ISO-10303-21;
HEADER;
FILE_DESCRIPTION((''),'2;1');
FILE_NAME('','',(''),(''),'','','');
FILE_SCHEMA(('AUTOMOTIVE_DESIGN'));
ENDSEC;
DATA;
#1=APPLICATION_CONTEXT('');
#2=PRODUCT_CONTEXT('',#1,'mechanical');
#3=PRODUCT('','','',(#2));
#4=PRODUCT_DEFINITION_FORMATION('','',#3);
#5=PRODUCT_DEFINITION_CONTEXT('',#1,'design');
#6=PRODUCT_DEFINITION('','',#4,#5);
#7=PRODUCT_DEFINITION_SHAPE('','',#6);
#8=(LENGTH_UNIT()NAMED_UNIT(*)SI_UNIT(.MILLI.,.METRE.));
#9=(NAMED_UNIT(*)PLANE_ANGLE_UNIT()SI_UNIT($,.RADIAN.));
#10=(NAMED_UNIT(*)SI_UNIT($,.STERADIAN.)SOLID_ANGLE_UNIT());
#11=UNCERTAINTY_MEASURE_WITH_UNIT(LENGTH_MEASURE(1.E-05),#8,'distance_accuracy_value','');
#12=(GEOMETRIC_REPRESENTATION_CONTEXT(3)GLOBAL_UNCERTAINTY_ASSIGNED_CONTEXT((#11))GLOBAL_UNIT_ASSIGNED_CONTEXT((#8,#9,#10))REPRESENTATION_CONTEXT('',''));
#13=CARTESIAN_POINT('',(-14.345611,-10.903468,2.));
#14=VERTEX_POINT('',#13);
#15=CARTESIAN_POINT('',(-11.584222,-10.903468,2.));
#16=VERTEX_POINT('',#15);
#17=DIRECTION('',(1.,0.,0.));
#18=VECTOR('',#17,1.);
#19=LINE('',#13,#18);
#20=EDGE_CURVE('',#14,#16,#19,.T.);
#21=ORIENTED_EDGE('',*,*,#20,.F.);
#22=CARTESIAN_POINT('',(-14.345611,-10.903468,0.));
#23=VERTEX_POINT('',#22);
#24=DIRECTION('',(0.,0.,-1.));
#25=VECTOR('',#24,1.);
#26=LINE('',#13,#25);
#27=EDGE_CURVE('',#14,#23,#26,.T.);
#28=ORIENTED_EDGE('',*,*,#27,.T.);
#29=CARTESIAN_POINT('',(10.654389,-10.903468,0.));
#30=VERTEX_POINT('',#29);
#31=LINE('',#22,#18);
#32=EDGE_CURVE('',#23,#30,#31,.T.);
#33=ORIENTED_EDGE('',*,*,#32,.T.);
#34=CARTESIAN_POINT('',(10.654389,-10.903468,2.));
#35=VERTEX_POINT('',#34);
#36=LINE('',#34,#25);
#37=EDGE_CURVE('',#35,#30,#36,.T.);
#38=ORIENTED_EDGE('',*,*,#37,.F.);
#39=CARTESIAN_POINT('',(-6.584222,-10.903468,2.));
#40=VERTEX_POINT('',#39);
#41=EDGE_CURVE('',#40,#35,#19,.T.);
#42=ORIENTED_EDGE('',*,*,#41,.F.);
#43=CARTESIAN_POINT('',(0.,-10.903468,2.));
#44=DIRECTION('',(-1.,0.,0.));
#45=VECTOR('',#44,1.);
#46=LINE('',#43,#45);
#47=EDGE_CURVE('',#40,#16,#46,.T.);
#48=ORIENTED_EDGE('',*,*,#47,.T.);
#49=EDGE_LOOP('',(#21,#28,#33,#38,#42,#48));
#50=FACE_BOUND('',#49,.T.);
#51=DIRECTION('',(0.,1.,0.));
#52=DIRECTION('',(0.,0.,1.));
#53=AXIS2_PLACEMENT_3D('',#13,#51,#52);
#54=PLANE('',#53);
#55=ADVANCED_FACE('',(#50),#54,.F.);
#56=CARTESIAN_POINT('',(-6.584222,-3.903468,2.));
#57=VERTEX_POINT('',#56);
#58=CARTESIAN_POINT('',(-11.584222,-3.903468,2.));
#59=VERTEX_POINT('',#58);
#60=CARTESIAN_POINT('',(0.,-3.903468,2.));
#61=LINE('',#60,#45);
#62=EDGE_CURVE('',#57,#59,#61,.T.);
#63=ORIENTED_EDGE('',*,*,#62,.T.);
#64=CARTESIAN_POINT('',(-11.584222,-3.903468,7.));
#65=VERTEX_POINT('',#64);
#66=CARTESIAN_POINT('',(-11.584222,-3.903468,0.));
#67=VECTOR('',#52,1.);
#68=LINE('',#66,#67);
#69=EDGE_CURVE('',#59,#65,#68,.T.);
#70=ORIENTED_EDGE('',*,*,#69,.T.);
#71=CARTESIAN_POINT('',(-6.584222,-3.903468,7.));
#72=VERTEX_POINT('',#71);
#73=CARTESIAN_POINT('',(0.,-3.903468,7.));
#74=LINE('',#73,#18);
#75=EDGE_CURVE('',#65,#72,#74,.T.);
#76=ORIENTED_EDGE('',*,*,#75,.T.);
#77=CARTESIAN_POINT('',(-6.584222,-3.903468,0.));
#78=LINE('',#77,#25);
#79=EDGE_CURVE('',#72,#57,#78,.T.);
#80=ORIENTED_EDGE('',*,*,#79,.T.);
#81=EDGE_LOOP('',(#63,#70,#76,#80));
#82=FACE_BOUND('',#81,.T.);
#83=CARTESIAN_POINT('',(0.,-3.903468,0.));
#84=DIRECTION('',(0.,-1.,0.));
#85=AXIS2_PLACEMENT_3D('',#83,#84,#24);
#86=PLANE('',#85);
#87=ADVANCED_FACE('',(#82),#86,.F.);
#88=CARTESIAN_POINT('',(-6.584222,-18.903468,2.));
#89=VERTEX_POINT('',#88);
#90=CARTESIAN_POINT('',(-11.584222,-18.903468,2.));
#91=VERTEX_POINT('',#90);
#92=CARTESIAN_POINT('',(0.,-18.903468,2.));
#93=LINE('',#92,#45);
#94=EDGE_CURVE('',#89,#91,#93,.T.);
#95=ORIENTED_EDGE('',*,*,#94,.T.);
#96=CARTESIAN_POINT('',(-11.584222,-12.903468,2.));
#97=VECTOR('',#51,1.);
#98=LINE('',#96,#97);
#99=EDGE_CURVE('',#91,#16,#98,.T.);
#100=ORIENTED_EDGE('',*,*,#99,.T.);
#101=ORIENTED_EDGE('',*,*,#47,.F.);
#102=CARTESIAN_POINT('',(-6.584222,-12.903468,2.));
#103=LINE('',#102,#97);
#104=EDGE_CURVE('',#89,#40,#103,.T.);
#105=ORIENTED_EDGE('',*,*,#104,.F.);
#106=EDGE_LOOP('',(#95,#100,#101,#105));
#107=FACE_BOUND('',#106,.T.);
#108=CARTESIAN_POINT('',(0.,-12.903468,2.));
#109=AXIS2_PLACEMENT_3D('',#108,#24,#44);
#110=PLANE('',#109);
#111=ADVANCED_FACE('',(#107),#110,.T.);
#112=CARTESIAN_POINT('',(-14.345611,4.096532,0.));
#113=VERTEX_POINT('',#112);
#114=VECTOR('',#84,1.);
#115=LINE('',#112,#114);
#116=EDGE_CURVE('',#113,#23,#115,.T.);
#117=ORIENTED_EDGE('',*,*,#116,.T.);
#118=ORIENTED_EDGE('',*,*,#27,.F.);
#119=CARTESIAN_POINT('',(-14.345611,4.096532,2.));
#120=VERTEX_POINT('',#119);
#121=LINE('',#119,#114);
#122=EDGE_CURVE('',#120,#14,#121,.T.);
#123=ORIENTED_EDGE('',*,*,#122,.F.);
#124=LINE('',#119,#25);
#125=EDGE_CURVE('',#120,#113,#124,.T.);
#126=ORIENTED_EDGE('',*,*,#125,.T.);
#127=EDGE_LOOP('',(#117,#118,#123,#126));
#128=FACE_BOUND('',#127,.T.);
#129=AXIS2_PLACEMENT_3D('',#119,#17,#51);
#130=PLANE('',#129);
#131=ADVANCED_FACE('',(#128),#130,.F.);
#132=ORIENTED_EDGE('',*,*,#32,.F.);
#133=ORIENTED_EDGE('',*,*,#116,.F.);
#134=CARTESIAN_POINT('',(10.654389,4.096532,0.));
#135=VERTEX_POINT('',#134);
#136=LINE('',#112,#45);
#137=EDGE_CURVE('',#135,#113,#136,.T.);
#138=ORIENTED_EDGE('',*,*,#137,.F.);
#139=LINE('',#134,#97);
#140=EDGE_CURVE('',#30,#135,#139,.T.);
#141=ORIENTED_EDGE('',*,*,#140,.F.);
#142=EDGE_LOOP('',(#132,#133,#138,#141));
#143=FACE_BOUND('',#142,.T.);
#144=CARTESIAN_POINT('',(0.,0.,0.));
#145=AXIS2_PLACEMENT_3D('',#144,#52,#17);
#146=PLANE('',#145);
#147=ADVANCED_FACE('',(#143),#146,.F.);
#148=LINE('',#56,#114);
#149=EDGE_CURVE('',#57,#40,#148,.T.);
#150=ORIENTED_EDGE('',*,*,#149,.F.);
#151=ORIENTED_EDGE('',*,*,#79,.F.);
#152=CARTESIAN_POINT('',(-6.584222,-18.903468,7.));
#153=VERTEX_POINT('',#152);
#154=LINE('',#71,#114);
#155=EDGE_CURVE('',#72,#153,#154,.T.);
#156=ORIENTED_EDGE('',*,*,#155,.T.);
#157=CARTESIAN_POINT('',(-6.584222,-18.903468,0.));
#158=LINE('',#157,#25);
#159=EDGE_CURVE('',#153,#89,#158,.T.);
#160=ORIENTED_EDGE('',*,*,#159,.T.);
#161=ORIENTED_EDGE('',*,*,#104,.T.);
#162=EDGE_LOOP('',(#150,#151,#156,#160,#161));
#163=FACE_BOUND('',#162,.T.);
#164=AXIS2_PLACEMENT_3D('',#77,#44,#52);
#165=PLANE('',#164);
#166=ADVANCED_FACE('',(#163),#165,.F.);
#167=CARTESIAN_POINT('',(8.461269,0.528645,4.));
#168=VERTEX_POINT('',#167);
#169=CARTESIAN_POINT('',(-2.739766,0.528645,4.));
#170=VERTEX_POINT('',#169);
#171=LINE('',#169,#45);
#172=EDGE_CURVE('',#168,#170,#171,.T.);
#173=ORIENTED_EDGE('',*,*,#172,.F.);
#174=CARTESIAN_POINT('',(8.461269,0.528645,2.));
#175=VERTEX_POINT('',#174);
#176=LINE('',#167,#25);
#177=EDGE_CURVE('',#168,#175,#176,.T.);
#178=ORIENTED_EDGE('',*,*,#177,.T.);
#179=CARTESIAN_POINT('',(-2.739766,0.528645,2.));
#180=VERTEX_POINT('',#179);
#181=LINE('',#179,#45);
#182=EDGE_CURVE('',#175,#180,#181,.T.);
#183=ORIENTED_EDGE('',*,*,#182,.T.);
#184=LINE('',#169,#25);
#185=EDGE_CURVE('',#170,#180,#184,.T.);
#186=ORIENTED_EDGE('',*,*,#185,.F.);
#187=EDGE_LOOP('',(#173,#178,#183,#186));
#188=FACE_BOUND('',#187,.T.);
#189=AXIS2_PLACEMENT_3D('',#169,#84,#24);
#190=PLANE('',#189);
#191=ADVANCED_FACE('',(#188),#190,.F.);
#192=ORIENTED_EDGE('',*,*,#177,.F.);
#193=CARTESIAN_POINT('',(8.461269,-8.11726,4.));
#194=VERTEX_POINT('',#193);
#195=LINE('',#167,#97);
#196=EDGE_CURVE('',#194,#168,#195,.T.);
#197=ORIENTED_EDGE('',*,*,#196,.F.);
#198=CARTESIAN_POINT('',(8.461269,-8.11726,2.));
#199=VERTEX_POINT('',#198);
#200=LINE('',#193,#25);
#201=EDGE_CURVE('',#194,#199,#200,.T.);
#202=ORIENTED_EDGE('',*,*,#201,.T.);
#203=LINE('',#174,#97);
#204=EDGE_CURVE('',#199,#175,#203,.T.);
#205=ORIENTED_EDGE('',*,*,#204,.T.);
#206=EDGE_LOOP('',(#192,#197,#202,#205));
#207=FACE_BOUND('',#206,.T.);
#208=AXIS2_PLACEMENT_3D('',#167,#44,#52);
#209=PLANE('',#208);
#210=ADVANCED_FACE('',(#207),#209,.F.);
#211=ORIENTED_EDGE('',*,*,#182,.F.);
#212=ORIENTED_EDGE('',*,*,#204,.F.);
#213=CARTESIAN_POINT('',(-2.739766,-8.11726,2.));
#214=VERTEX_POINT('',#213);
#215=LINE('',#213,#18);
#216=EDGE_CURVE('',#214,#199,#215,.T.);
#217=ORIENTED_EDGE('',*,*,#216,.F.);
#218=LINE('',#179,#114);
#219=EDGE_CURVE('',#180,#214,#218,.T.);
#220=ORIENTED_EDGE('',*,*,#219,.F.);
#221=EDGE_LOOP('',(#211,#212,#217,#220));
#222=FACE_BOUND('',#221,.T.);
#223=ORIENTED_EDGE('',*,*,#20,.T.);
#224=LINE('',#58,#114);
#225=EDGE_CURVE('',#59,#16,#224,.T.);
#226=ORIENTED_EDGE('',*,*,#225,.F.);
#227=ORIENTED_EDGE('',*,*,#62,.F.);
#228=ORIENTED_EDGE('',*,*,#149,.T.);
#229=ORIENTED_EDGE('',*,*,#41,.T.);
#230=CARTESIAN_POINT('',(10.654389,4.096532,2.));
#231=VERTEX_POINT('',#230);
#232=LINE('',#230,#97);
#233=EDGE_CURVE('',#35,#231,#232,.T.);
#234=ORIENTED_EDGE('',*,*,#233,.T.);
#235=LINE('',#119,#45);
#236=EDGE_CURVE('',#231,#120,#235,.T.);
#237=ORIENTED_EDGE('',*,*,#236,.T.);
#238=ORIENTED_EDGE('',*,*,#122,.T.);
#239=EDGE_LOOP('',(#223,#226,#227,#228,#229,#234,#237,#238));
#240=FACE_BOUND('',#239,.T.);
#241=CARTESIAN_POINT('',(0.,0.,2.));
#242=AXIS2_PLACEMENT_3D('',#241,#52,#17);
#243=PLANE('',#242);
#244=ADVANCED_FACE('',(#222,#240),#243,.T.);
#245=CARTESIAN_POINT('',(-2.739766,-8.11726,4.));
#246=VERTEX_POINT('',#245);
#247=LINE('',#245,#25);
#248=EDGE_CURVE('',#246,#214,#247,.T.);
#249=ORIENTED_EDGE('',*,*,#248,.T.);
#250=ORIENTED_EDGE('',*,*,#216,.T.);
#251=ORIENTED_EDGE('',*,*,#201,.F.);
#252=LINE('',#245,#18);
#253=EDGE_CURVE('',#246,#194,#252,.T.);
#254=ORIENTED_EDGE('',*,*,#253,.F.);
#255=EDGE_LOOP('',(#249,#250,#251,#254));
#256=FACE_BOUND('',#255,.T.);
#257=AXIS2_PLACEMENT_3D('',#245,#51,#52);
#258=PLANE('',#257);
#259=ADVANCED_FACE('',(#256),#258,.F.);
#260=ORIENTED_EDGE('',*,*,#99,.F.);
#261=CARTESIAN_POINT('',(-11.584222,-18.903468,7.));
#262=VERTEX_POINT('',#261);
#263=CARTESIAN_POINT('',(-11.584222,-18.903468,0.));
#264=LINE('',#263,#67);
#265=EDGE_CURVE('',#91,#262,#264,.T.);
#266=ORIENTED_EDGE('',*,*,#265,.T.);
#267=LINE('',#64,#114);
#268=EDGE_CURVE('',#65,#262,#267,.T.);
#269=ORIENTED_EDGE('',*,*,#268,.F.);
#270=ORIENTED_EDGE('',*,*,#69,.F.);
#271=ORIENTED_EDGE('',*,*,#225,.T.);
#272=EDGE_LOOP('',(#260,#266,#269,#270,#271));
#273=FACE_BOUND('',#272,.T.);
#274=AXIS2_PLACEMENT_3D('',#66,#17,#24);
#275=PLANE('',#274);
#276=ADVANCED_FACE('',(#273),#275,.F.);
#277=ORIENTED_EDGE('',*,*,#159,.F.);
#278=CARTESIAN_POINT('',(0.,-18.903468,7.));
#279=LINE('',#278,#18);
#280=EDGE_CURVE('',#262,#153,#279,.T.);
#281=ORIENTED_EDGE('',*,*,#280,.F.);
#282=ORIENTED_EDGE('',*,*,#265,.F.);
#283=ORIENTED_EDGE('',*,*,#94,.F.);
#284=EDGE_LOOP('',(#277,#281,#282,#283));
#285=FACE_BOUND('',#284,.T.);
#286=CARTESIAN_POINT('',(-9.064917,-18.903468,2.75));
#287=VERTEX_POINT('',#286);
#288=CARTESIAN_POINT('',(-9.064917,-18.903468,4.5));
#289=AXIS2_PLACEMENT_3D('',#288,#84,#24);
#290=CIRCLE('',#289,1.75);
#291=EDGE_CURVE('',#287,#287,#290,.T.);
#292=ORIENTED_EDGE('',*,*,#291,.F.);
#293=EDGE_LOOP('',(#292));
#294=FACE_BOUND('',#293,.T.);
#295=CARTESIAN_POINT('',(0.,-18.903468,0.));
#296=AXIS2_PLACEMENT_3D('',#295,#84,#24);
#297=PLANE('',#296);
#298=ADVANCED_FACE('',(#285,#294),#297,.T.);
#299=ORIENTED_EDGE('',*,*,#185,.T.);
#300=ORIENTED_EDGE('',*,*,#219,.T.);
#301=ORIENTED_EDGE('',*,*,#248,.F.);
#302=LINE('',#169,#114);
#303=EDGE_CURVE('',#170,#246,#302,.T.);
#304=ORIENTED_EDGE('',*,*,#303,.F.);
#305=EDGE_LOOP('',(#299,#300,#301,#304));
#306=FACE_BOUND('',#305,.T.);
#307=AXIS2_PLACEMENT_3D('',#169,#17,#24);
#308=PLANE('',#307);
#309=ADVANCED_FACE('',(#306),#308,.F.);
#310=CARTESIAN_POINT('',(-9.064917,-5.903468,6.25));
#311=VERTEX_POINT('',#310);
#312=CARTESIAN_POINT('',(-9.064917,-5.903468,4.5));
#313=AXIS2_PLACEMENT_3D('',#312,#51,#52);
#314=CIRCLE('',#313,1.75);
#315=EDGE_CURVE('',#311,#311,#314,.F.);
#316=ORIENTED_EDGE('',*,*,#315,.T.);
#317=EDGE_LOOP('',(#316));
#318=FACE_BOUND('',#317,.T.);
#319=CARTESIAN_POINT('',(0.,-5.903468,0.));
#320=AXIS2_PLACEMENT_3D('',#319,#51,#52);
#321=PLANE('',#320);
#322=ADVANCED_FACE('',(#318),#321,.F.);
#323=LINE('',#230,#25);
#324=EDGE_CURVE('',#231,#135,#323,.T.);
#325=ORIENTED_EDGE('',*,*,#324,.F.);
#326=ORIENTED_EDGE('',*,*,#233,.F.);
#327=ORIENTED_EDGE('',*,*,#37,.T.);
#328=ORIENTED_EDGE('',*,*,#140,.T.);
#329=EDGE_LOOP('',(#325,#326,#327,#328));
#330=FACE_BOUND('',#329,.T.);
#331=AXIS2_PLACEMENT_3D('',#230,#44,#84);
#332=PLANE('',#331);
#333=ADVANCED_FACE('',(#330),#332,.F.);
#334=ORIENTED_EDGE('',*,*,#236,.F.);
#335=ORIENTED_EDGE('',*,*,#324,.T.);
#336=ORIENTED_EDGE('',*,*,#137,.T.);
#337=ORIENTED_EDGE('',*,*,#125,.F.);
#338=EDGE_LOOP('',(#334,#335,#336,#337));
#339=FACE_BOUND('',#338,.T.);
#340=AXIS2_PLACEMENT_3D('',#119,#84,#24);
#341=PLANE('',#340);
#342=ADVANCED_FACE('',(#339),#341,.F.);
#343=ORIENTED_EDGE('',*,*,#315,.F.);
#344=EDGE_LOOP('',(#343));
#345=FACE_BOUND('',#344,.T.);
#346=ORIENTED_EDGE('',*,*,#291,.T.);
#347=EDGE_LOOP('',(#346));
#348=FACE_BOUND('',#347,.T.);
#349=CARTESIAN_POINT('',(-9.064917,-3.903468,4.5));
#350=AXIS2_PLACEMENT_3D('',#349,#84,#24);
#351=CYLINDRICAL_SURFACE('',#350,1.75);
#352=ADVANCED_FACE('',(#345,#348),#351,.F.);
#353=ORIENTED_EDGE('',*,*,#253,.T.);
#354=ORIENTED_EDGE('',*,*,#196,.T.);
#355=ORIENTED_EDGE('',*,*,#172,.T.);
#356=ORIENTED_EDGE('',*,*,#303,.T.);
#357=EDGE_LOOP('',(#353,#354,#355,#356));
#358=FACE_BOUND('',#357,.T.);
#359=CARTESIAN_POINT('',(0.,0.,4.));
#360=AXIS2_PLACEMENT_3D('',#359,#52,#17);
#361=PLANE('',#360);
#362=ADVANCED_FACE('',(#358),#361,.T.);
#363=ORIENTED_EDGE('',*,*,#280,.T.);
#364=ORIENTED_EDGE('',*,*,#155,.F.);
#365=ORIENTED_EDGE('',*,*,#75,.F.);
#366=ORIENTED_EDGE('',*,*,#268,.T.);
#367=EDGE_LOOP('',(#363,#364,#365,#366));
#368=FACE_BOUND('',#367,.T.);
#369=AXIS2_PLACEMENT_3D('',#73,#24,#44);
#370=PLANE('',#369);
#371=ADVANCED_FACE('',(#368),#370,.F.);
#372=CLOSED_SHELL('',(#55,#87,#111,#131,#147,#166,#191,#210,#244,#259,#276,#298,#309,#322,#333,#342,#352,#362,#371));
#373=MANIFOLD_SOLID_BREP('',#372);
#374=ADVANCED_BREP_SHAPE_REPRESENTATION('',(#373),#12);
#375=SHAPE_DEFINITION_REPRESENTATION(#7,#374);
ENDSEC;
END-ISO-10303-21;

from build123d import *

# Parameters (mm, degrees)
SKETCH_2_W      = 25
SKETCH_2_H      = 15
EXTRUDE_1_DEPTH = 2
SKETCH_4_R      = 1.75
EXTRUDE_2_DEPTH = 7
SKETCH_5_W      = 5
SKETCH_5_H      = 5
EXTRUDE_3_DEPTH = 2
EXTRUDE_START   = 2
SKETCH_4_3_R    = 1.75
EXTRUDE_4_DEPTH = 2
SKETCH_7_W      = 11.201035141
SKETCH_7_H      = 8.645905099
EXTRUDE_5_DEPTH = 2
EXTRUDE_START_2 = 8
SKETCH_4_4_R    = 1.75
EXTRUDE_6_DEPTH = 8


with BuildPart() as part:
    # 草图2 → 凸台-拉伸1 (new body)
    with BuildSketch(Plane.XY):
        with Locations((-1.845610675, -3.40346801)):
            Rectangle(SKETCH_2_W, SKETCH_2_H)
    extrude(amount=EXTRUDE_1_DEPTH)

    # 草图4 → 凸台-拉伸2 (add)
    with BuildSketch(Plane.XZ.offset(10.90346801)):
        Polygon((-11.584222065, 7), (-11.584222065, 2), (-11.507000867, 2), (-6.584222065, 2), (-6.584222065, 7), align=None)
        with Locations((-9.064916765, 4.5)):
            Circle(SKETCH_4_R, mode=Mode.SUBTRACT)
    extrude(amount=-EXTRUDE_2_DEPTH)

    # 草图5 → 凸台-拉伸3 (add)
    with BuildSketch(Plane(origin=(0, -3.90346801, 0), x_dir=(1, 0, 0), z_dir=(0, 1, 0))):
        with Locations((-9.084222065, -4.5)):
            Rectangle(SKETCH_5_W, SKETCH_5_H)
    extrude(amount=-EXTRUDE_3_DEPTH)

    # 草图4<3> → 凸台-拉伸4 (add)
    with BuildSketch(Plane.XZ.offset(10.90346801).offset(EXTRUDE_START)):
        Polygon((-11.584222065, 7), (-11.584222065, 2), (-11.507000867, 2), (-6.584222065, 2), (-6.584222065, 7), align=None)
        with Locations((-9.064916765, 4.5)):
            Circle(SKETCH_4_3_R, mode=Mode.SUBTRACT)
    extrude(amount=-EXTRUDE_4_DEPTH)

    # 草图7 → 凸台-拉伸5 (add)
    with BuildSketch(Plane.XY.offset(2)):
        with Locations((2.86075116, -3.79430768)):
            Rectangle(SKETCH_7_W, SKETCH_7_H)
    extrude(amount=EXTRUDE_5_DEPTH)

    # 草图4<4> → 凸台-拉伸6 (add)
    with BuildSketch(Plane.XZ.offset(10.90346801).offset(EXTRUDE_START_2)):
        Polygon((-11.584222065, 7), (-11.584222065, 2), (-11.507000867, 2), (-6.584222065, 2), (-6.584222065, 7), align=None)
        with Locations((-9.064916765, 4.5)):
            Circle(SKETCH_4_4_R, mode=Mode.SUBTRACT)
    extrude(amount=-EXTRUDE_6_DEPTH)


solid = part.part
